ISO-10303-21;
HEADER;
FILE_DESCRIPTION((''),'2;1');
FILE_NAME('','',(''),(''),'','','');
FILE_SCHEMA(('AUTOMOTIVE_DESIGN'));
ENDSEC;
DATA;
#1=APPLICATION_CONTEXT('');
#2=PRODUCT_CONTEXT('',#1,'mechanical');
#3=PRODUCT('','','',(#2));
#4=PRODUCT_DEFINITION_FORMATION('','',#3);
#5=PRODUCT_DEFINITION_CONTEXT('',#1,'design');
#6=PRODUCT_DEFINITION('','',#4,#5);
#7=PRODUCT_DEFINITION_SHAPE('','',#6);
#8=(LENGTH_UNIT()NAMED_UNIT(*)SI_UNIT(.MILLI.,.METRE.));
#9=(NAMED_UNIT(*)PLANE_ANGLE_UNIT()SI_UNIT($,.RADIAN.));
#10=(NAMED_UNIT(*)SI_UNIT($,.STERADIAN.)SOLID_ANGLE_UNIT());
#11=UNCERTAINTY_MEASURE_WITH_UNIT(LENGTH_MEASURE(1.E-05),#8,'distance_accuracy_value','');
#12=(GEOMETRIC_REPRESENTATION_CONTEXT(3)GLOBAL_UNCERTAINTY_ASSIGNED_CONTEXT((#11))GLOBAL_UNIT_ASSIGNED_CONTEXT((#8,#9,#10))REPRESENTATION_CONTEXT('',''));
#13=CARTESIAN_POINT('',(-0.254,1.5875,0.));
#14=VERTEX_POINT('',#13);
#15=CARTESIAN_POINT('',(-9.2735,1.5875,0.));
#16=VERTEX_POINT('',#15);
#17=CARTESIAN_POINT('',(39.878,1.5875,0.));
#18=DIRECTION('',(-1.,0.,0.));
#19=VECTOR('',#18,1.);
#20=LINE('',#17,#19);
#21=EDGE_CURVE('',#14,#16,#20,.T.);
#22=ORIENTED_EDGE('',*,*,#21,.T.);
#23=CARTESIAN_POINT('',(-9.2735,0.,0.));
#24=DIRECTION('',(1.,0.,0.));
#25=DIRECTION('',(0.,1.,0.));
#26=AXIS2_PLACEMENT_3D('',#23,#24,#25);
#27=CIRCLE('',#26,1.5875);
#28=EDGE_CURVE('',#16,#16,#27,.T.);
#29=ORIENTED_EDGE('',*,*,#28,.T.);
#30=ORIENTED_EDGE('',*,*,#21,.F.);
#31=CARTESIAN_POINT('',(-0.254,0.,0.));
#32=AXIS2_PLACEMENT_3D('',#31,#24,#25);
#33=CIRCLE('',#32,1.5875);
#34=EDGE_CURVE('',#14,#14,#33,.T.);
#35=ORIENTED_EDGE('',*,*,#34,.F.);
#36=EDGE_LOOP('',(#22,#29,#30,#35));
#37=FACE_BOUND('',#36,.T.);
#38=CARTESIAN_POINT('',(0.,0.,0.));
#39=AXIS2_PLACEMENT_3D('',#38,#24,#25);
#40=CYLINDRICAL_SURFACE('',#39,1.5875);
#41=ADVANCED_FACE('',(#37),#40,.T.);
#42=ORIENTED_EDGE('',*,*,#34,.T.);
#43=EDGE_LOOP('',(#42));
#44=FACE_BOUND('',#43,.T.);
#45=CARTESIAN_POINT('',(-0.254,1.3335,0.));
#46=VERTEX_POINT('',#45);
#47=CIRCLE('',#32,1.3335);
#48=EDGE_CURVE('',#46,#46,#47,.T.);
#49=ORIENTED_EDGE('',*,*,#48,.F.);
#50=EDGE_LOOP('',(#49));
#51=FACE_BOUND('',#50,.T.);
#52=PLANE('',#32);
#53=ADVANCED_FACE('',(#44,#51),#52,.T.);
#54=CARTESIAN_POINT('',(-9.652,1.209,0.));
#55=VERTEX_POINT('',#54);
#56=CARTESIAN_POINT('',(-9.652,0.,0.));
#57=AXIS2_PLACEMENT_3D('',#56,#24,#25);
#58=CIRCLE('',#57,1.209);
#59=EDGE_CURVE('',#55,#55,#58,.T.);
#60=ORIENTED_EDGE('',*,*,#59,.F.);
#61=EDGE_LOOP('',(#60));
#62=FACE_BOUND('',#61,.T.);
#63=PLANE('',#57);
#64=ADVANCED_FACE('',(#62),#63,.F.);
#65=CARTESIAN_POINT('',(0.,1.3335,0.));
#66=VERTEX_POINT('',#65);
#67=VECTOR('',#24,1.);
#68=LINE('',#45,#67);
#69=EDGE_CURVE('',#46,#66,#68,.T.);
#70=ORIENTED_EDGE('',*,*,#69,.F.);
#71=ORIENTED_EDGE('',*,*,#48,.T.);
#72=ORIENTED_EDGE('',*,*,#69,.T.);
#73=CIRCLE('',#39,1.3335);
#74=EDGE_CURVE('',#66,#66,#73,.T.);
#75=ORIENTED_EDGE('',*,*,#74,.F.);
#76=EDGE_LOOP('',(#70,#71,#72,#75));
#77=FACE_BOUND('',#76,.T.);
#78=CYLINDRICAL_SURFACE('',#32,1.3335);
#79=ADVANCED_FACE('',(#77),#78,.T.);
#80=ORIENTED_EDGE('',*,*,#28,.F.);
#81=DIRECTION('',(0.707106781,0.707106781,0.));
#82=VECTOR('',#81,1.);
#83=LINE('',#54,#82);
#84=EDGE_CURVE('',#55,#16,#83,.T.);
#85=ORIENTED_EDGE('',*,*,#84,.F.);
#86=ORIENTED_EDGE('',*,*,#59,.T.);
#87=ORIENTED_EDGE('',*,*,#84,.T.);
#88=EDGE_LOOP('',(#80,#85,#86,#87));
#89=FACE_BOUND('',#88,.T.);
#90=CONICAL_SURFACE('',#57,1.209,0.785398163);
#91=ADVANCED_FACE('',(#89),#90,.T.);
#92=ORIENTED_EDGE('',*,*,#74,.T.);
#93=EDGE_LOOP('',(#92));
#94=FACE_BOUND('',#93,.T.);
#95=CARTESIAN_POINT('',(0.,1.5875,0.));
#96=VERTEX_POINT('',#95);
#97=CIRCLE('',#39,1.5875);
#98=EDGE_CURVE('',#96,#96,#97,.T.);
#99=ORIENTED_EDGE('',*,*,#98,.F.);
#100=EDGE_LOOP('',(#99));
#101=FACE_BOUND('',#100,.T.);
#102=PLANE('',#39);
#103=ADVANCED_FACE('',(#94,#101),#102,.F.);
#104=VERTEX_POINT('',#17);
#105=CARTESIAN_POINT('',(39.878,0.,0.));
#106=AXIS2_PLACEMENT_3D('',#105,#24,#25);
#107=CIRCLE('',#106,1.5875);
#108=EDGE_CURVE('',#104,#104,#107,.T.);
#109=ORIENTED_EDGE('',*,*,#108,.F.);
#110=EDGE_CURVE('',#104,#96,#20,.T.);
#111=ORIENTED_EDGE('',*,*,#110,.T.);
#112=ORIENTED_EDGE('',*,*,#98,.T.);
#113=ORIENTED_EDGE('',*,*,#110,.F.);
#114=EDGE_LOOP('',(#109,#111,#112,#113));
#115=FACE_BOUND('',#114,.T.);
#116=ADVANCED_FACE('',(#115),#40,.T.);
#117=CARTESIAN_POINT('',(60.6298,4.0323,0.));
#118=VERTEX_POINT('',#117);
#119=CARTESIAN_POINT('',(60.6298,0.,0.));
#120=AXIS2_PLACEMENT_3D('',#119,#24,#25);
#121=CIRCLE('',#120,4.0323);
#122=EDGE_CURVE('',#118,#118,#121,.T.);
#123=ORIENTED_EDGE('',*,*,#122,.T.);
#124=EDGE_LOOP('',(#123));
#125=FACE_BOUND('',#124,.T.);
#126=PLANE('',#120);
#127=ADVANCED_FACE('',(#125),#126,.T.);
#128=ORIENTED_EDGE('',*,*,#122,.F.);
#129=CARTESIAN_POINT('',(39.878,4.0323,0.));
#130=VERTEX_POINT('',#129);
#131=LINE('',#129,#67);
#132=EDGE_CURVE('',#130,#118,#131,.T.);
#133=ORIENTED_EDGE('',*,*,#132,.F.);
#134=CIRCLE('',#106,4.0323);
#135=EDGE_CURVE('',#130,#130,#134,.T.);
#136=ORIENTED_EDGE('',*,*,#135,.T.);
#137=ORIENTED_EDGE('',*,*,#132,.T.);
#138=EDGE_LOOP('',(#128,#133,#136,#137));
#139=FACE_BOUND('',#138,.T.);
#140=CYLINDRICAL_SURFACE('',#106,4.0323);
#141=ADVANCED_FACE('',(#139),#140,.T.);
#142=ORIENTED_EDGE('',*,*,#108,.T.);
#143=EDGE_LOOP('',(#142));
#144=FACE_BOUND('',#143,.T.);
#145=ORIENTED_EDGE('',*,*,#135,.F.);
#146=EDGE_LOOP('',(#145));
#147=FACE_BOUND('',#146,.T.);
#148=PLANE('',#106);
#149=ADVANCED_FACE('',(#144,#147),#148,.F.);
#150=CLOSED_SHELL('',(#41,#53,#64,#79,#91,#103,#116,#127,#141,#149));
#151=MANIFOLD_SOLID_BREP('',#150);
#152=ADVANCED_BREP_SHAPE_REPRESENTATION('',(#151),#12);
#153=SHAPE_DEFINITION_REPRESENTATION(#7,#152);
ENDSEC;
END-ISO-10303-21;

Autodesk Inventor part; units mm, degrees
sketch "Sketch_1" plane through (0, 0, 0) normal (0, 0, 1) x (1, 0, 0)
  line L0 (60.6298, 0) -> (0, 0)
  line L1 (0, 0) -> (0, 1.5875)
  line L2 (0, 1.5875) -> (39.878, 1.5875)
  line L3 (39.878, 1.5875) -> (39.878, 4.0323)
  line L4 (39.878, 4.0323) -> (60.6298, 4.0323)
  line L5 (60.6298, 4.0323) -> (60.6298, 0)
  line L6 (60.6298, 0) -> (0, 0)
revolve "Revolution1" add sketch "Sketch_1" angle 360 about axis through (60.6298, 0, 0) along (1, 0, 0)
sketch "Sketch_2" plane through (0, 0, 0) normal (0, 0, 1) x (1, 0, 0)
  line L0 (0, 0) -> (-9.652, 0)
  line L1 (-9.652, 0) -> (-9.652, 1.209)
  line L2 (-9.652, 1.209) -> (-9.2735, 1.5875)
  line L3 (-9.2735, 1.5875) -> (0, 1.5875)
  line L4 (0, 1.5875) -> (0, 0)
  line L5 (0, 0) -> (-9.652, 0)
revolve "Revolution2" add sketch "Sketch_2" angle 360 about axis through (0, 0, 0) along (1, 0, 0)
sketch "Sketch_30" plane through (0, 0, 0) normal (0, 0, 1) x (1, 0, 0)
  line L0 (0, 0) -> (-0.254, 0)
  line L1 (-0.254, 1.3335) -> (0, 1.3335)
  line L2 (0, 1.3335) -> (0, 1.8415)
  line L3 (0, 1.8415) -> (-0.254, 1.8415)
  line L4 (-0.254, 1.8415) -> (-0.254, 1.3335)
revolve "Revolution3" cut sketch "Sketch_30" angle 360 about axis through (0, 0, 0) along (1, 0, 0)
ref_plane "dia1_XY" through (0, 1.5875, 0) normal (1, 0, 0) x (0, 0, -1)
ref_plane "dia1_YZ" through (0, 1.5875, 0) normal (0, 0, -1) x (0, 1, 0)
ref_plane "dia1_ZX" through (0, 1.5875, 0) normal (0, 1, 0) x (1, 0, 0)
ref_plane "dia12_XY" through (0, 0, 7.6835) normal (1, 0, 0) x (0, 0, -1)
ref_plane "dia12_YZ" through (0, 0, 7.6835) normal (0, 0, -1) x (0, 1, 0)
ref_plane "dia12_ZX" through (0, 0, 7.6835) normal (0, 1, 0) x (1, 0, 0)
ref_plane "dia1r_XY" through (0, 0, 4.5593) normal (1, 0, 0) x (0, 0, -1)
ref_plane "dia1r_YZ" through (0, 0, 4.5593) normal (0, 0, -1) x (0, 1, 0)
ref_plane "dia1r_ZX" through (0, 0, 4.5593) normal (0, 1, 0) x (1, 0, 0)
ref_plane "dia2_XY" through (0, -1.5875, 0) normal (1, 0, 0) x (0, 0, -1)
ref_plane "dia2_YZ" through (0, -1.5875, 0) normal (0, 0, -1) x (0, 1, 0)
ref_plane "dia2_ZX" through (0, -1.5875, 0) normal (0, 1, 0) x (1, 0, 0)
ref_plane "dia22_XY" through (0, 0, -7.6835) normal (1, 0, 0) x (0, 0, -1)
ref_plane "dia22_YZ" through (0, 0, -7.6835) normal (0, 0, -1) x (0, 1, 0)
ref_plane "dia22_ZX" through (0, 0, -7.6835) normal (0, 1, 0) x (1, 0, 0)
ref_plane "dia2r_XY" through (0, 0, -4.5593) normal (1, 0, 0) x (0, 0, -1)
ref_plane "dia2r_YZ" through (0, 0, -4.5593) normal (0, 0, -1) x (0, 1, 0)
ref_plane "dia2r_ZX" through (0, 0, -4.5593) normal (0, 1, 0) x (1, 0, 0)
ref_plane "rl1_XY" through (-9.652, 0, 0) normal (1, 0, 0) x (0, 0, -1)
ref_plane "rl1_YZ" through (-9.652, 0, 0) normal (0, 0, -1) x (0, 1, 0)
ref_plane "rl1_ZX" through (-9.652, 0, 0) normal (0, 1, 0) x (1, 0, 0)
ref_plane "rl2_XY" through (0, 0, 0) normal (1, 0, 0) x (0, 0, -1)
ref_plane "rl2_YZ" through (0, 0, 0) normal (0, 0, -1) x (0, 1, 0)
ref_plane "rl2_ZX" through (0, 0, 0) normal (0, 1, 0) x (1, 0, 0)
ref_plane "rod_cp_XY" through (0, 0, 0) normal (1, 0, 0) x (0, 0, -1)
ref_plane "rod_cp_YZ" through (0, 0, 0) normal (0, 0, -1) x (0, 1, 0)
ref_plane "rod_cp_ZX" through (0, 0, 0) normal (0, 1, 0) x (1, 0, 0)
ref_plane "stroke1_XY" through (0, 0, 0) normal (1, 0, 0) x (0, 0, -1)
ref_plane "stroke1_YZ" through (0, 0, 0) normal (0, 0, -1) x (0, 1, 0)
ref_plane "stroke1_ZX" through (0, 0, 0) normal (0, 1, 0) x (1, 0, 0)
ref_plane "thd1_XY" through (-9.652, 1.5875, 0) normal (1, 0, 0) x (0, 0, -1)
ref_plane "thd1_YZ" through (-9.652, 1.5875, 0) normal (0, 0, -1) x (0, 1, 0)
ref_plane "thd1_ZX" through (-9.652, 1.5875, 0) normal (0, 1, 0) x (1, 0, 0)
ref_plane "thd2_XY" through (-9.652, -1.5875, 0) normal (1, 0, 0) x (0, 0, -1)
ref_plane "thd2_YZ" through (-9.652, -1.5875, 0) normal (0, 0, -1) x (0, 1, 0)
ref_plane "thd2_ZX" through (-9.652, -1.5875, 0) normal (0, 1, 0) x (1, 0, 0)
ref_plane "to_rod_clevis_XY" through (-9.652, 0, 0) normal (1, 0, 0) x (0, 0, -1)
ref_plane "to_rod_clevis_YZ" through (-9.652, 0, 0) normal (0, 0, -1) x (0, 1, 0)
ref_plane "to_rod_clevis_ZX" through (-9.652, 0, 0) normal (0, 1, 0) x (1, 0, 0)
properties part number "0070.725-R0000_rod"
